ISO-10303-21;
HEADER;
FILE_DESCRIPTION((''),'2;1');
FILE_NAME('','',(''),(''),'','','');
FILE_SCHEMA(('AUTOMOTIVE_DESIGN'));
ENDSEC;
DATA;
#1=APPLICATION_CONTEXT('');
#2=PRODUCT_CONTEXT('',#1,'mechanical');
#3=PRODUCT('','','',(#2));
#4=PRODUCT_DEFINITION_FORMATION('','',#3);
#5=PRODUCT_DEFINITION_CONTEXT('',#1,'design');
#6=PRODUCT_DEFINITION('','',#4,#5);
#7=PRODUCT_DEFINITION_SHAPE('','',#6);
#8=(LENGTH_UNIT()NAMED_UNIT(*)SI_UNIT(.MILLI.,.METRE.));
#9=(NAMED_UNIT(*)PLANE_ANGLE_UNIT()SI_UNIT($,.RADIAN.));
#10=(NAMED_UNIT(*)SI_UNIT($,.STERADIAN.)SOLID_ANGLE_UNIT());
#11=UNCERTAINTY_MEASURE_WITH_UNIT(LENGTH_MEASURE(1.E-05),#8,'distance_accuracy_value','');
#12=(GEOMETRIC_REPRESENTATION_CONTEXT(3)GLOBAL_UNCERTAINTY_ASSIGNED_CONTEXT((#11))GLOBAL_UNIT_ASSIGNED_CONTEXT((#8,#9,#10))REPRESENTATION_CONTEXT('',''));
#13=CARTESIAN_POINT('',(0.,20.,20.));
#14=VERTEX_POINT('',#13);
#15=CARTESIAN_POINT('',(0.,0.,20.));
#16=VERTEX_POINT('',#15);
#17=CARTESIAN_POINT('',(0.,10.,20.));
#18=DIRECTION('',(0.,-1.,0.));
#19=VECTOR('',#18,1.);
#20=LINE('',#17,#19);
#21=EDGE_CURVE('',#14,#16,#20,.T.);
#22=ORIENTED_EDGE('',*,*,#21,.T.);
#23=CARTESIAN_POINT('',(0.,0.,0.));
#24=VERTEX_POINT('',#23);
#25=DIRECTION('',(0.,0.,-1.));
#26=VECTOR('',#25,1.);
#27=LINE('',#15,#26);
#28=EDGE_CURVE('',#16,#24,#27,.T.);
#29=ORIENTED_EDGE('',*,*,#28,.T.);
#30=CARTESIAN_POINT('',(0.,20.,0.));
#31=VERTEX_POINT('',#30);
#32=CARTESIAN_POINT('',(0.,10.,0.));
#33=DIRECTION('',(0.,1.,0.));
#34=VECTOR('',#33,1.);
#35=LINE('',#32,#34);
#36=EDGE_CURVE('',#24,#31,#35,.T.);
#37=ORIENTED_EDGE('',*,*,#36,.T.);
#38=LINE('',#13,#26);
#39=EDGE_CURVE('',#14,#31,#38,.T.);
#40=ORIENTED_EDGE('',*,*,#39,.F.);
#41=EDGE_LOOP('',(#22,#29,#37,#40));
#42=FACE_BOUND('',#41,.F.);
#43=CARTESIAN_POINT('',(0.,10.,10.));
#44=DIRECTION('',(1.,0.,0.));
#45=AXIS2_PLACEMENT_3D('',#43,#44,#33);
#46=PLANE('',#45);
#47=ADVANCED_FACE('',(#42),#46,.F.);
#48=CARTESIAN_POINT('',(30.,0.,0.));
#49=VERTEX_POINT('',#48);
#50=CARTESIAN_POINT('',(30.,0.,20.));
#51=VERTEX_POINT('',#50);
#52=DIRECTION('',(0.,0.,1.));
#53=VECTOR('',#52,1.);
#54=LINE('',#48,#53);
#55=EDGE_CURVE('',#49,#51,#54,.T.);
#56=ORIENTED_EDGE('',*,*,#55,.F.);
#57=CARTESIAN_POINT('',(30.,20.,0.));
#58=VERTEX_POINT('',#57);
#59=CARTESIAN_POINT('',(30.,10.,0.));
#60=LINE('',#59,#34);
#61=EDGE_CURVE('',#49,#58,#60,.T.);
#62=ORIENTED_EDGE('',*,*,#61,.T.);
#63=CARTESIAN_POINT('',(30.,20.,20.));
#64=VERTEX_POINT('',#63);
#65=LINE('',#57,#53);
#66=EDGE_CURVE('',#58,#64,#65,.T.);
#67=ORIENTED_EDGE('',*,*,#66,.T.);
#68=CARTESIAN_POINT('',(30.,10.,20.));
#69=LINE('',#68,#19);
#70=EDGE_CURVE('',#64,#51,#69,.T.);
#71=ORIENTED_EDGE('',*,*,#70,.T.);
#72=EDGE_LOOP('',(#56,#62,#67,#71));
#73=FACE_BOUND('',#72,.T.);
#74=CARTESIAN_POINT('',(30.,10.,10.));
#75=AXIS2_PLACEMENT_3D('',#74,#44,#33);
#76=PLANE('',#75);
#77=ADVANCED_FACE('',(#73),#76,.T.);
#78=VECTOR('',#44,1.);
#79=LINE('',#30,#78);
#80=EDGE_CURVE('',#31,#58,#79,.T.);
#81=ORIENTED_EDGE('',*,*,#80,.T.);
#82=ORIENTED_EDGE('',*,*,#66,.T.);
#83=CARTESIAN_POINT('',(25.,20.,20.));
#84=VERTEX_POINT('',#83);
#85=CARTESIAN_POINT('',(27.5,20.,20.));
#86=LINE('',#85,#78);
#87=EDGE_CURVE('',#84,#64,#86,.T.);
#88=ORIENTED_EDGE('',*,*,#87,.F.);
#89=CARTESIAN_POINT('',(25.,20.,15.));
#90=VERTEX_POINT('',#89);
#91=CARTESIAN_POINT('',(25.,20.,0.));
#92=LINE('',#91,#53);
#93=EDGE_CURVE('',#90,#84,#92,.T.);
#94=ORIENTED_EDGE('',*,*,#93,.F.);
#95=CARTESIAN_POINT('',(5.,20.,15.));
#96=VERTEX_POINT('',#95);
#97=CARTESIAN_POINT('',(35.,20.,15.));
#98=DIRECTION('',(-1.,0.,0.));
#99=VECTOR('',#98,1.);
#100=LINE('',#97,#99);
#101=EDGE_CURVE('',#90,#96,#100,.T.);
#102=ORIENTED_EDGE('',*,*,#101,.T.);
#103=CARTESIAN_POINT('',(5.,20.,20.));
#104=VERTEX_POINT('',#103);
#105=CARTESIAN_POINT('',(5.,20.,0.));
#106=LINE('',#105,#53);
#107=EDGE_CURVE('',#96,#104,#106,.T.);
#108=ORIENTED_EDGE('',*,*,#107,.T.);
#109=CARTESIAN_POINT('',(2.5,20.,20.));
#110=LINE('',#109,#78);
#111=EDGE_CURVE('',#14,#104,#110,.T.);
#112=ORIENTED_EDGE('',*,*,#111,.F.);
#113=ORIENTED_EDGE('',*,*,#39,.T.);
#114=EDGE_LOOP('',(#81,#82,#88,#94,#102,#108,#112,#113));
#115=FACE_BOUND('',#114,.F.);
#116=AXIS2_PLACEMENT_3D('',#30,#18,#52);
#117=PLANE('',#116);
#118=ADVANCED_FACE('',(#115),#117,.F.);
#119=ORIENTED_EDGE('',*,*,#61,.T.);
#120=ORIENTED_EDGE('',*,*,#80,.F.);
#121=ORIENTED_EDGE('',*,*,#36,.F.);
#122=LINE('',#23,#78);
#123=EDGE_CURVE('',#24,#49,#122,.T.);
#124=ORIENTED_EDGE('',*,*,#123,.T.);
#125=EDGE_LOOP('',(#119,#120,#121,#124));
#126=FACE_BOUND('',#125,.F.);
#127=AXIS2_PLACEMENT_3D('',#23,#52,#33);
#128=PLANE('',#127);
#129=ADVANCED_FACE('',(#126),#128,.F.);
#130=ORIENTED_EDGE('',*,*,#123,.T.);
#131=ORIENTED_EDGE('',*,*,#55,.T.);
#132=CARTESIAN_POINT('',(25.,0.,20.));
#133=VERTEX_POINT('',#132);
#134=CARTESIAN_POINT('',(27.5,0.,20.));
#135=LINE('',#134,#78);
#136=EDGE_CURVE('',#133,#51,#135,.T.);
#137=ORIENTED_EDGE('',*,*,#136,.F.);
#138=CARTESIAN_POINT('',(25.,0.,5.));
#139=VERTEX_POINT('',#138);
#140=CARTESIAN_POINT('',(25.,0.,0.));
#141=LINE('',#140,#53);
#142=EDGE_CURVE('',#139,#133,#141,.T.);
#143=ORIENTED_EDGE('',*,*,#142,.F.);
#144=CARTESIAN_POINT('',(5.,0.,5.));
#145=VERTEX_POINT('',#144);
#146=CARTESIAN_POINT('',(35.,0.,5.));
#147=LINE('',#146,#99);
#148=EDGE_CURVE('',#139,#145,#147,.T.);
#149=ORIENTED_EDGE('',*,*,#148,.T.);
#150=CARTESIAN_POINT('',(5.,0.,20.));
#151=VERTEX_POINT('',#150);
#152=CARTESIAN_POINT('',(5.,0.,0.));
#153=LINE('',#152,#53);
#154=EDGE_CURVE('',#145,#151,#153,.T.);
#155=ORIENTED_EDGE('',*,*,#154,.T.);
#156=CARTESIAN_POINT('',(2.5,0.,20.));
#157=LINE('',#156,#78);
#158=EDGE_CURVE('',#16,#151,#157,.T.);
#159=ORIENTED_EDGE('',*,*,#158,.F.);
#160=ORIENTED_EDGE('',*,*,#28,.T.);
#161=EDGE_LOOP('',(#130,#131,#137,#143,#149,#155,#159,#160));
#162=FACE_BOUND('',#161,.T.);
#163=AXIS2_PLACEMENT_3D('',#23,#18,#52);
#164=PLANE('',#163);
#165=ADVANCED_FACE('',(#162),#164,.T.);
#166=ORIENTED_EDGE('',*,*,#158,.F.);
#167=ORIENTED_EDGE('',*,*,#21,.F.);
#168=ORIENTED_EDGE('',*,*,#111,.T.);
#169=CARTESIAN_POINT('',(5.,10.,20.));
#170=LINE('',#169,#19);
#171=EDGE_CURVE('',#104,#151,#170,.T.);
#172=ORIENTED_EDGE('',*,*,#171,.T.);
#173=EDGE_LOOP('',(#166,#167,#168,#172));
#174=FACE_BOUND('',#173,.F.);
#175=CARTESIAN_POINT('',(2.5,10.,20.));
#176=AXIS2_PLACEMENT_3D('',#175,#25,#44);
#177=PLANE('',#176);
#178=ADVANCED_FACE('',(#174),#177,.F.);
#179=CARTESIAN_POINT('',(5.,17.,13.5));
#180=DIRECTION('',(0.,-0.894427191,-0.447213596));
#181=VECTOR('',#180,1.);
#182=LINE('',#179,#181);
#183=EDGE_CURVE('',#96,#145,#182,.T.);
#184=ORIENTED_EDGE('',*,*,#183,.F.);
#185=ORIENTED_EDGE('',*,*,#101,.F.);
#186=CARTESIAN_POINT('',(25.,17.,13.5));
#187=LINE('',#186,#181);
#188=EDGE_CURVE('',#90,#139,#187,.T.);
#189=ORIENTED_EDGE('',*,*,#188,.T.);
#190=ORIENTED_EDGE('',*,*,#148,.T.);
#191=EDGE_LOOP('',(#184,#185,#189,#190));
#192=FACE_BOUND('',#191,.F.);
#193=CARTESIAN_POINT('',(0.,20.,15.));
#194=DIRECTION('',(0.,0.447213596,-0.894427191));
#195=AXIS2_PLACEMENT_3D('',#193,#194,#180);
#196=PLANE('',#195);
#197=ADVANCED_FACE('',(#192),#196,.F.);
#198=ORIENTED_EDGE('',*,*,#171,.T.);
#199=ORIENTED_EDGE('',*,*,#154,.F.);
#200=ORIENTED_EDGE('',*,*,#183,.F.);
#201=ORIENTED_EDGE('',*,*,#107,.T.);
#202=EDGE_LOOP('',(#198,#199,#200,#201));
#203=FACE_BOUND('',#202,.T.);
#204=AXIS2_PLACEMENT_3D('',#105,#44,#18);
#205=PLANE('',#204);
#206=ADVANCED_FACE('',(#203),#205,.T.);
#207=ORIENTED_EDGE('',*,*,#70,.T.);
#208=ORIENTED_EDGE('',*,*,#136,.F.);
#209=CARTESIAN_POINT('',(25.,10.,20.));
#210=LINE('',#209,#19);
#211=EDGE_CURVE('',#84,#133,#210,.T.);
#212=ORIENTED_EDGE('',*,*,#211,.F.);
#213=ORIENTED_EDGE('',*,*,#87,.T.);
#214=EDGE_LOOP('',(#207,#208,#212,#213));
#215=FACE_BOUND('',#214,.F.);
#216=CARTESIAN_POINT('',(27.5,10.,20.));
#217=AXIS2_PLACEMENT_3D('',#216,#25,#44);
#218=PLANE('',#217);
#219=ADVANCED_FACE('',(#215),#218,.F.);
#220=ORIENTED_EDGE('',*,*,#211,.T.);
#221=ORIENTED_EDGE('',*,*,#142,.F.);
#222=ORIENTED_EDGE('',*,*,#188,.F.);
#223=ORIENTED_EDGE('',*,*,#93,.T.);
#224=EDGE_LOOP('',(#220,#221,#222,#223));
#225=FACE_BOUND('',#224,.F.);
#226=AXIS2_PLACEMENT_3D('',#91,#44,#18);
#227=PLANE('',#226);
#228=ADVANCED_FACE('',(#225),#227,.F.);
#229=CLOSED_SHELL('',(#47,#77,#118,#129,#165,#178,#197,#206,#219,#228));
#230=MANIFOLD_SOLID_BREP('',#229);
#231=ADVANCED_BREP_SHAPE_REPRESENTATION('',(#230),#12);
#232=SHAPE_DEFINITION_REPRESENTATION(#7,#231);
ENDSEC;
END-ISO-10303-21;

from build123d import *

# Parameters (mm, degrees)
F0_W     = 20
F0_H     = 20
F1_DEPTH = 30
F3_DEPTH = 35
F4_W     = 5
F4_H     = 20
F5_DEPTH = 20
F6_W     = 5
F6_H     = 20
F7_DEPTH = 20


with BuildPart() as f1:
    # F0 (on Right) → F1 (new body)
    with BuildSketch(Plane.YZ):
        with Locations((10, 10)):
            Rectangle(F0_W, F0_H)
    extrude(amount=F1_DEPTH)

    # F2 (on face) → F3 (cut, symmetric)
    with BuildSketch(Plane(origin=(0, 0, 0), x_dir=(0, -1, 0), z_dir=(-1, 0, 0))):
        Polygon((-20, 20), (-20, 15), (0, 5), (0, 20), align=None)
    extrude(amount=F3_DEPTH, both=True, mode=Mode.SUBTRACT)

    # F4 (on face) → F5 (join)
    with BuildSketch(Plane(origin=(0, 0, 0), x_dir=(1, 0, 0), z_dir=(0, 0, -1))):
        with Locations((2.5, -10)):
            Rectangle(F4_W, F4_H)
    extrude(amount=-F5_DEPTH)

    # F6 (on face) → F7 (join)
    with BuildSketch(Plane(origin=(0, 0, 0), x_dir=(1, 0, 0), z_dir=(0, 0, -1))):
        with Locations((27.5, -10)):
            Rectangle(F6_W, F6_H)
    extrude(amount=-F7_DEPTH)


solid = f1.part
